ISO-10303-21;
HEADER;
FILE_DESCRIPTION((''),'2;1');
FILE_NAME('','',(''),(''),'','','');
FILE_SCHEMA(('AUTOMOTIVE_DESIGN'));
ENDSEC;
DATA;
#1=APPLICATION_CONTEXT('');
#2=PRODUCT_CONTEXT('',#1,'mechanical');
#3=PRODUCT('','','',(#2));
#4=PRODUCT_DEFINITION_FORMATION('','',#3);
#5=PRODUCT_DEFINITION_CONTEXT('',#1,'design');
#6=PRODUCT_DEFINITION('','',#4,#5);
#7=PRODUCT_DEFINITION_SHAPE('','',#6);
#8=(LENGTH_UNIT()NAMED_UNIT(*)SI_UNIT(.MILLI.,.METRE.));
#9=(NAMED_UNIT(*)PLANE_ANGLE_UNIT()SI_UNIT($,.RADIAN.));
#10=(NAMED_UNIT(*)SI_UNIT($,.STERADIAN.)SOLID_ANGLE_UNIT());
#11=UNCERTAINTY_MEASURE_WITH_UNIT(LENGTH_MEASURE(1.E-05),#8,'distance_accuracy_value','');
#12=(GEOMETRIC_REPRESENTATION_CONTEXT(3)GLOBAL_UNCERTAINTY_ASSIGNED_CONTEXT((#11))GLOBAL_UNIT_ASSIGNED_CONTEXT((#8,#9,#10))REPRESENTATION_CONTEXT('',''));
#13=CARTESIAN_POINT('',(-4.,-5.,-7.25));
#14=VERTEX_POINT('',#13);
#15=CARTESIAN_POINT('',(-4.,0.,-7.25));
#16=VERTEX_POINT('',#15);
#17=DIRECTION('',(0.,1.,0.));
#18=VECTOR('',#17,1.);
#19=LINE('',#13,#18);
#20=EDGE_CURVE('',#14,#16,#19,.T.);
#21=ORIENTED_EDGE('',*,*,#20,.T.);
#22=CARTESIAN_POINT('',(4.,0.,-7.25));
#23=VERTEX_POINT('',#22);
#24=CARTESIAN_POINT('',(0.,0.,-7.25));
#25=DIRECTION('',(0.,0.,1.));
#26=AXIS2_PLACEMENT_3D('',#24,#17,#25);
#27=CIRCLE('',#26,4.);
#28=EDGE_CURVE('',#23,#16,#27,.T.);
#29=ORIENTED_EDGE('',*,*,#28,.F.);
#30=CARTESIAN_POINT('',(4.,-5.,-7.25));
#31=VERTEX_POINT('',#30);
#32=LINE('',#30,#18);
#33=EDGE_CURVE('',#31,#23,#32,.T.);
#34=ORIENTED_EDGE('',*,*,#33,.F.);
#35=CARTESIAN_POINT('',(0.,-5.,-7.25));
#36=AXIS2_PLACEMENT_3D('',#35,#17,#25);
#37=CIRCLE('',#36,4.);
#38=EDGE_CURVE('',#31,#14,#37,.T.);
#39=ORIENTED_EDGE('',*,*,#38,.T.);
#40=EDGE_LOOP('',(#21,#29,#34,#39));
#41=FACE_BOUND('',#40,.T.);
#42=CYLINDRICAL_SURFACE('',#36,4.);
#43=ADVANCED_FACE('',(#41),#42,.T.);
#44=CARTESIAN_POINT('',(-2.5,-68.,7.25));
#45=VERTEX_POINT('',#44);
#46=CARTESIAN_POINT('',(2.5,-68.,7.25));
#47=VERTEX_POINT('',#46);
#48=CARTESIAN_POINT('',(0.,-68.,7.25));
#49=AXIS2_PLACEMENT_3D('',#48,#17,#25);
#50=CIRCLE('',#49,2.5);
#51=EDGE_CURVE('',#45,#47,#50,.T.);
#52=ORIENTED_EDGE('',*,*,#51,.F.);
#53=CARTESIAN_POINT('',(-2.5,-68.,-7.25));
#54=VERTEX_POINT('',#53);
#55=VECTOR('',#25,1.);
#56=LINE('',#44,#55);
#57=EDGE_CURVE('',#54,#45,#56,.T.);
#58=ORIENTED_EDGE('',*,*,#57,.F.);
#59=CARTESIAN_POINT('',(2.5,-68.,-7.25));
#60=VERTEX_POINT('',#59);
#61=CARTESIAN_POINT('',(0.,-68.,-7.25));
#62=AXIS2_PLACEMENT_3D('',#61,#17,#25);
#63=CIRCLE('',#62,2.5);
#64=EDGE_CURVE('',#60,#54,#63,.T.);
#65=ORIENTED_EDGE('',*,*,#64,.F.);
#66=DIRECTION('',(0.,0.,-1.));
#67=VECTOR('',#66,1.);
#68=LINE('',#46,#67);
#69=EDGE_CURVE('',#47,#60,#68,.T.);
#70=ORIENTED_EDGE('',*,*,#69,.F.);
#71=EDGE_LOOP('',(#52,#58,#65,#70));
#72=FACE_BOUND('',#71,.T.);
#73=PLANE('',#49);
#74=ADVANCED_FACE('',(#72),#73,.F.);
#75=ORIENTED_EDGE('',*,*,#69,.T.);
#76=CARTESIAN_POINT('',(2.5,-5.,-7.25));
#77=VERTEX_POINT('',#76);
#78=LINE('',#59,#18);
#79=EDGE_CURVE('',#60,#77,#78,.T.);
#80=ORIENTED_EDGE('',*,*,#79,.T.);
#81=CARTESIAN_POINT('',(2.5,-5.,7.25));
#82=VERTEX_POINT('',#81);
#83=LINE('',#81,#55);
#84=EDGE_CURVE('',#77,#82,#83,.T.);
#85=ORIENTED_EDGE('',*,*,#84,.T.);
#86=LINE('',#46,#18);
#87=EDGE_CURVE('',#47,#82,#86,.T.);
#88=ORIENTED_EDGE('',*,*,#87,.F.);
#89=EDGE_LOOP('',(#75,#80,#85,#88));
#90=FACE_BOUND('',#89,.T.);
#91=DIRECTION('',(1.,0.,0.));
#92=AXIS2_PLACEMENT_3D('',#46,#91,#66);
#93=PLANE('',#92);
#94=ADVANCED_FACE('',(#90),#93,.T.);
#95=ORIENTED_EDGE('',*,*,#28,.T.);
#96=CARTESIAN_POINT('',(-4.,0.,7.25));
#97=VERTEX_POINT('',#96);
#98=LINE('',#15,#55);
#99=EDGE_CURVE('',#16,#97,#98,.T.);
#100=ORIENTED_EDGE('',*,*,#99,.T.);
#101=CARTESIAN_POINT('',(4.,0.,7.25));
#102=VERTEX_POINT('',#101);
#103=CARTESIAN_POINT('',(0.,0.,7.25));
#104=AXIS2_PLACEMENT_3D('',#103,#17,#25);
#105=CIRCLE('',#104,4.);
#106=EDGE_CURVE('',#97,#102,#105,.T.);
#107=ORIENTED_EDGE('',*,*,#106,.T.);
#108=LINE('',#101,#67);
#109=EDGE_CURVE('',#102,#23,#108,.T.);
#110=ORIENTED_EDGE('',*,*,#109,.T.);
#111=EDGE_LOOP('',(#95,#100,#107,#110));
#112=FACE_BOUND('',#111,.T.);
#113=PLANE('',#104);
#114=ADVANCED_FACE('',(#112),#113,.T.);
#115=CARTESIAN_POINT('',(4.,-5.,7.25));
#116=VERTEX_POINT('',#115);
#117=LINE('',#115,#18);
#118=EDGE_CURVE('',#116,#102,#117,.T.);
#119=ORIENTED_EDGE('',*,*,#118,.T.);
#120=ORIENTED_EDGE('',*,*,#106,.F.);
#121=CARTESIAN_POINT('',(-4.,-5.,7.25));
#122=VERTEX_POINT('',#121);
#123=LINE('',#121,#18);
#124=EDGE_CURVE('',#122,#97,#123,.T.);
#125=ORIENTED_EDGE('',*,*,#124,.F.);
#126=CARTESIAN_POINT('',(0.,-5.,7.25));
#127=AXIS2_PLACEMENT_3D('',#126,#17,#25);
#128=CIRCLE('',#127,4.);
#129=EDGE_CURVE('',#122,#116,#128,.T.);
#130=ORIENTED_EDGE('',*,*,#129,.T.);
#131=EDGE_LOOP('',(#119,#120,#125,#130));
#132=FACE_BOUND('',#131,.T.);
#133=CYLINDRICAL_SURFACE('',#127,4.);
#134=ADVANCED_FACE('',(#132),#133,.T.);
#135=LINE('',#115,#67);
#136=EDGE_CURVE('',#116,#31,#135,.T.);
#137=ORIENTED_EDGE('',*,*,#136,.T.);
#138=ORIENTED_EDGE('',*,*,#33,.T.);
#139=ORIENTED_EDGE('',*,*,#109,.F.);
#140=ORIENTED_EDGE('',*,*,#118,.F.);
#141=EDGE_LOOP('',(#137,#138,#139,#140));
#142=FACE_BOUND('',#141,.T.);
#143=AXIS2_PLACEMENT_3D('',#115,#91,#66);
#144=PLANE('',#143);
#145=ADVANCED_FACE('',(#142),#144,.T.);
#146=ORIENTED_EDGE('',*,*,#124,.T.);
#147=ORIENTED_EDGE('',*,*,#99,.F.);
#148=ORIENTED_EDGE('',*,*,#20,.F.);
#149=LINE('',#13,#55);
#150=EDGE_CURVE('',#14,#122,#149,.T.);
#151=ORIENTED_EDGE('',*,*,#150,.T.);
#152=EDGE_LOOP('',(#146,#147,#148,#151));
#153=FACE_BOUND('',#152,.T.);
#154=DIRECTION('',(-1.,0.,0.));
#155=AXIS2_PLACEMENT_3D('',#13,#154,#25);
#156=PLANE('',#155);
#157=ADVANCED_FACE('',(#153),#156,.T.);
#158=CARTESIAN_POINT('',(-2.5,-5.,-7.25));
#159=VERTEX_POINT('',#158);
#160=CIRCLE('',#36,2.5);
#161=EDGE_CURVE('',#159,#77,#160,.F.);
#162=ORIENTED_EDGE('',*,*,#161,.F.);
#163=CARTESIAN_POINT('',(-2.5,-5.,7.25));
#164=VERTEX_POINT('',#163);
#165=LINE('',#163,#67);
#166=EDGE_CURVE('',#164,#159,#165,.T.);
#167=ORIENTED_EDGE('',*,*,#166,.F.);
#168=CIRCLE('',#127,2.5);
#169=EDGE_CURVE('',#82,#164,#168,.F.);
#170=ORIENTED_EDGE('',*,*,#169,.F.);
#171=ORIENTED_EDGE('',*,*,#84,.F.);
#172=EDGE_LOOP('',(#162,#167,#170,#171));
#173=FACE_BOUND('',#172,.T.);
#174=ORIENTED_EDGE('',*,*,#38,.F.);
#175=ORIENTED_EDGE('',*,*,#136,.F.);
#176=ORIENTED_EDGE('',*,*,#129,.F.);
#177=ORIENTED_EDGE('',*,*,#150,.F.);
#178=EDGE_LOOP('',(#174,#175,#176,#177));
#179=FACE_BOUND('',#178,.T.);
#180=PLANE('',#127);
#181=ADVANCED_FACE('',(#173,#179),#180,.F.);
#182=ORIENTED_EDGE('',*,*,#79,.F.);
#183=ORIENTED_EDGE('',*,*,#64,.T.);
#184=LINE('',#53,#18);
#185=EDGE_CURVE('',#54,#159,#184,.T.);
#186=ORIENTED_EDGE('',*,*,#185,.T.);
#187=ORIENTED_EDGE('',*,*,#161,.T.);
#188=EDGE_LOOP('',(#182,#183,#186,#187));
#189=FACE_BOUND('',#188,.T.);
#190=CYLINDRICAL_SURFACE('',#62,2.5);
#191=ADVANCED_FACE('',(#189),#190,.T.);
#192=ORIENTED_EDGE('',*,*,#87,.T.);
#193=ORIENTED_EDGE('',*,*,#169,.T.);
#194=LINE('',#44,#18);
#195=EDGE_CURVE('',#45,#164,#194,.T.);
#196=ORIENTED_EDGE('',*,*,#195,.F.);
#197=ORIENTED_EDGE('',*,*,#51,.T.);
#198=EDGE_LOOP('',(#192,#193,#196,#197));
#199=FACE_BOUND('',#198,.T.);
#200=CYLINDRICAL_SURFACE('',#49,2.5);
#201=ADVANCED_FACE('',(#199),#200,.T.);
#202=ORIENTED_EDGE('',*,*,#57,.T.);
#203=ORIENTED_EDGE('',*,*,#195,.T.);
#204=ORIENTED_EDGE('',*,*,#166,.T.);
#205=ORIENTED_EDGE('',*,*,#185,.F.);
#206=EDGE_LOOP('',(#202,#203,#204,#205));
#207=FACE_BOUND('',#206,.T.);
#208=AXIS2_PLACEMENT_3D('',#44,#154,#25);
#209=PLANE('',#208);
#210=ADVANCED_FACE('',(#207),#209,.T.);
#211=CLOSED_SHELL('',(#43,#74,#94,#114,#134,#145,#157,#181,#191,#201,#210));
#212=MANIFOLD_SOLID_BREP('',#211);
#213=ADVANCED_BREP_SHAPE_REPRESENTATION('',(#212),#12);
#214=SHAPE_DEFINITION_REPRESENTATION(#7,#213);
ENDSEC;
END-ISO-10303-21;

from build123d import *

# Parameters (mm, degrees)
BOSS_EXTRUDE1_DEPTH = 68
BOSS_EXTRUDE2_DEPTH = 5


with BuildPart() as part:
    # Sketch1 → Boss-Extrude1 (new body)
    with BuildSketch(Plane(origin=(0, 0, 0), x_dir=(1, 0, 0), z_dir=(0, 1, 0))):
        with BuildLine():
            Line((-2.5, -7.25), (-2.5, 7.25))
            ThreePointArc((-2.5, 7.25), (0, 9.75), (2.5, 7.25))
            Line((2.5, 7.25), (2.5, -7.25))
            ThreePointArc((2.5, -7.25), (0, -9.75), (-2.5, -7.25))
        make_face()
    extrude(amount=-BOSS_EXTRUDE1_DEPTH)

    # Sketch2 → Boss-Extrude2 (add)
    with BuildSketch(Plane(origin=(0, 0, 0), x_dir=(1, 0, 0), z_dir=(0, 1, 0))):
        with BuildLine():
            Line((4, -7.25), (4, 7.25))
            ThreePointArc((4, 7.25), (0, 11.25), (-4, 7.25))
            Line((-4, 7.25), (-4, -7.25))
            ThreePointArc((-4, -7.25), (0, -11.25), (4, -7.25))
        make_face()
    extrude(amount=-BOSS_EXTRUDE2_DEPTH)


solid = part.part
